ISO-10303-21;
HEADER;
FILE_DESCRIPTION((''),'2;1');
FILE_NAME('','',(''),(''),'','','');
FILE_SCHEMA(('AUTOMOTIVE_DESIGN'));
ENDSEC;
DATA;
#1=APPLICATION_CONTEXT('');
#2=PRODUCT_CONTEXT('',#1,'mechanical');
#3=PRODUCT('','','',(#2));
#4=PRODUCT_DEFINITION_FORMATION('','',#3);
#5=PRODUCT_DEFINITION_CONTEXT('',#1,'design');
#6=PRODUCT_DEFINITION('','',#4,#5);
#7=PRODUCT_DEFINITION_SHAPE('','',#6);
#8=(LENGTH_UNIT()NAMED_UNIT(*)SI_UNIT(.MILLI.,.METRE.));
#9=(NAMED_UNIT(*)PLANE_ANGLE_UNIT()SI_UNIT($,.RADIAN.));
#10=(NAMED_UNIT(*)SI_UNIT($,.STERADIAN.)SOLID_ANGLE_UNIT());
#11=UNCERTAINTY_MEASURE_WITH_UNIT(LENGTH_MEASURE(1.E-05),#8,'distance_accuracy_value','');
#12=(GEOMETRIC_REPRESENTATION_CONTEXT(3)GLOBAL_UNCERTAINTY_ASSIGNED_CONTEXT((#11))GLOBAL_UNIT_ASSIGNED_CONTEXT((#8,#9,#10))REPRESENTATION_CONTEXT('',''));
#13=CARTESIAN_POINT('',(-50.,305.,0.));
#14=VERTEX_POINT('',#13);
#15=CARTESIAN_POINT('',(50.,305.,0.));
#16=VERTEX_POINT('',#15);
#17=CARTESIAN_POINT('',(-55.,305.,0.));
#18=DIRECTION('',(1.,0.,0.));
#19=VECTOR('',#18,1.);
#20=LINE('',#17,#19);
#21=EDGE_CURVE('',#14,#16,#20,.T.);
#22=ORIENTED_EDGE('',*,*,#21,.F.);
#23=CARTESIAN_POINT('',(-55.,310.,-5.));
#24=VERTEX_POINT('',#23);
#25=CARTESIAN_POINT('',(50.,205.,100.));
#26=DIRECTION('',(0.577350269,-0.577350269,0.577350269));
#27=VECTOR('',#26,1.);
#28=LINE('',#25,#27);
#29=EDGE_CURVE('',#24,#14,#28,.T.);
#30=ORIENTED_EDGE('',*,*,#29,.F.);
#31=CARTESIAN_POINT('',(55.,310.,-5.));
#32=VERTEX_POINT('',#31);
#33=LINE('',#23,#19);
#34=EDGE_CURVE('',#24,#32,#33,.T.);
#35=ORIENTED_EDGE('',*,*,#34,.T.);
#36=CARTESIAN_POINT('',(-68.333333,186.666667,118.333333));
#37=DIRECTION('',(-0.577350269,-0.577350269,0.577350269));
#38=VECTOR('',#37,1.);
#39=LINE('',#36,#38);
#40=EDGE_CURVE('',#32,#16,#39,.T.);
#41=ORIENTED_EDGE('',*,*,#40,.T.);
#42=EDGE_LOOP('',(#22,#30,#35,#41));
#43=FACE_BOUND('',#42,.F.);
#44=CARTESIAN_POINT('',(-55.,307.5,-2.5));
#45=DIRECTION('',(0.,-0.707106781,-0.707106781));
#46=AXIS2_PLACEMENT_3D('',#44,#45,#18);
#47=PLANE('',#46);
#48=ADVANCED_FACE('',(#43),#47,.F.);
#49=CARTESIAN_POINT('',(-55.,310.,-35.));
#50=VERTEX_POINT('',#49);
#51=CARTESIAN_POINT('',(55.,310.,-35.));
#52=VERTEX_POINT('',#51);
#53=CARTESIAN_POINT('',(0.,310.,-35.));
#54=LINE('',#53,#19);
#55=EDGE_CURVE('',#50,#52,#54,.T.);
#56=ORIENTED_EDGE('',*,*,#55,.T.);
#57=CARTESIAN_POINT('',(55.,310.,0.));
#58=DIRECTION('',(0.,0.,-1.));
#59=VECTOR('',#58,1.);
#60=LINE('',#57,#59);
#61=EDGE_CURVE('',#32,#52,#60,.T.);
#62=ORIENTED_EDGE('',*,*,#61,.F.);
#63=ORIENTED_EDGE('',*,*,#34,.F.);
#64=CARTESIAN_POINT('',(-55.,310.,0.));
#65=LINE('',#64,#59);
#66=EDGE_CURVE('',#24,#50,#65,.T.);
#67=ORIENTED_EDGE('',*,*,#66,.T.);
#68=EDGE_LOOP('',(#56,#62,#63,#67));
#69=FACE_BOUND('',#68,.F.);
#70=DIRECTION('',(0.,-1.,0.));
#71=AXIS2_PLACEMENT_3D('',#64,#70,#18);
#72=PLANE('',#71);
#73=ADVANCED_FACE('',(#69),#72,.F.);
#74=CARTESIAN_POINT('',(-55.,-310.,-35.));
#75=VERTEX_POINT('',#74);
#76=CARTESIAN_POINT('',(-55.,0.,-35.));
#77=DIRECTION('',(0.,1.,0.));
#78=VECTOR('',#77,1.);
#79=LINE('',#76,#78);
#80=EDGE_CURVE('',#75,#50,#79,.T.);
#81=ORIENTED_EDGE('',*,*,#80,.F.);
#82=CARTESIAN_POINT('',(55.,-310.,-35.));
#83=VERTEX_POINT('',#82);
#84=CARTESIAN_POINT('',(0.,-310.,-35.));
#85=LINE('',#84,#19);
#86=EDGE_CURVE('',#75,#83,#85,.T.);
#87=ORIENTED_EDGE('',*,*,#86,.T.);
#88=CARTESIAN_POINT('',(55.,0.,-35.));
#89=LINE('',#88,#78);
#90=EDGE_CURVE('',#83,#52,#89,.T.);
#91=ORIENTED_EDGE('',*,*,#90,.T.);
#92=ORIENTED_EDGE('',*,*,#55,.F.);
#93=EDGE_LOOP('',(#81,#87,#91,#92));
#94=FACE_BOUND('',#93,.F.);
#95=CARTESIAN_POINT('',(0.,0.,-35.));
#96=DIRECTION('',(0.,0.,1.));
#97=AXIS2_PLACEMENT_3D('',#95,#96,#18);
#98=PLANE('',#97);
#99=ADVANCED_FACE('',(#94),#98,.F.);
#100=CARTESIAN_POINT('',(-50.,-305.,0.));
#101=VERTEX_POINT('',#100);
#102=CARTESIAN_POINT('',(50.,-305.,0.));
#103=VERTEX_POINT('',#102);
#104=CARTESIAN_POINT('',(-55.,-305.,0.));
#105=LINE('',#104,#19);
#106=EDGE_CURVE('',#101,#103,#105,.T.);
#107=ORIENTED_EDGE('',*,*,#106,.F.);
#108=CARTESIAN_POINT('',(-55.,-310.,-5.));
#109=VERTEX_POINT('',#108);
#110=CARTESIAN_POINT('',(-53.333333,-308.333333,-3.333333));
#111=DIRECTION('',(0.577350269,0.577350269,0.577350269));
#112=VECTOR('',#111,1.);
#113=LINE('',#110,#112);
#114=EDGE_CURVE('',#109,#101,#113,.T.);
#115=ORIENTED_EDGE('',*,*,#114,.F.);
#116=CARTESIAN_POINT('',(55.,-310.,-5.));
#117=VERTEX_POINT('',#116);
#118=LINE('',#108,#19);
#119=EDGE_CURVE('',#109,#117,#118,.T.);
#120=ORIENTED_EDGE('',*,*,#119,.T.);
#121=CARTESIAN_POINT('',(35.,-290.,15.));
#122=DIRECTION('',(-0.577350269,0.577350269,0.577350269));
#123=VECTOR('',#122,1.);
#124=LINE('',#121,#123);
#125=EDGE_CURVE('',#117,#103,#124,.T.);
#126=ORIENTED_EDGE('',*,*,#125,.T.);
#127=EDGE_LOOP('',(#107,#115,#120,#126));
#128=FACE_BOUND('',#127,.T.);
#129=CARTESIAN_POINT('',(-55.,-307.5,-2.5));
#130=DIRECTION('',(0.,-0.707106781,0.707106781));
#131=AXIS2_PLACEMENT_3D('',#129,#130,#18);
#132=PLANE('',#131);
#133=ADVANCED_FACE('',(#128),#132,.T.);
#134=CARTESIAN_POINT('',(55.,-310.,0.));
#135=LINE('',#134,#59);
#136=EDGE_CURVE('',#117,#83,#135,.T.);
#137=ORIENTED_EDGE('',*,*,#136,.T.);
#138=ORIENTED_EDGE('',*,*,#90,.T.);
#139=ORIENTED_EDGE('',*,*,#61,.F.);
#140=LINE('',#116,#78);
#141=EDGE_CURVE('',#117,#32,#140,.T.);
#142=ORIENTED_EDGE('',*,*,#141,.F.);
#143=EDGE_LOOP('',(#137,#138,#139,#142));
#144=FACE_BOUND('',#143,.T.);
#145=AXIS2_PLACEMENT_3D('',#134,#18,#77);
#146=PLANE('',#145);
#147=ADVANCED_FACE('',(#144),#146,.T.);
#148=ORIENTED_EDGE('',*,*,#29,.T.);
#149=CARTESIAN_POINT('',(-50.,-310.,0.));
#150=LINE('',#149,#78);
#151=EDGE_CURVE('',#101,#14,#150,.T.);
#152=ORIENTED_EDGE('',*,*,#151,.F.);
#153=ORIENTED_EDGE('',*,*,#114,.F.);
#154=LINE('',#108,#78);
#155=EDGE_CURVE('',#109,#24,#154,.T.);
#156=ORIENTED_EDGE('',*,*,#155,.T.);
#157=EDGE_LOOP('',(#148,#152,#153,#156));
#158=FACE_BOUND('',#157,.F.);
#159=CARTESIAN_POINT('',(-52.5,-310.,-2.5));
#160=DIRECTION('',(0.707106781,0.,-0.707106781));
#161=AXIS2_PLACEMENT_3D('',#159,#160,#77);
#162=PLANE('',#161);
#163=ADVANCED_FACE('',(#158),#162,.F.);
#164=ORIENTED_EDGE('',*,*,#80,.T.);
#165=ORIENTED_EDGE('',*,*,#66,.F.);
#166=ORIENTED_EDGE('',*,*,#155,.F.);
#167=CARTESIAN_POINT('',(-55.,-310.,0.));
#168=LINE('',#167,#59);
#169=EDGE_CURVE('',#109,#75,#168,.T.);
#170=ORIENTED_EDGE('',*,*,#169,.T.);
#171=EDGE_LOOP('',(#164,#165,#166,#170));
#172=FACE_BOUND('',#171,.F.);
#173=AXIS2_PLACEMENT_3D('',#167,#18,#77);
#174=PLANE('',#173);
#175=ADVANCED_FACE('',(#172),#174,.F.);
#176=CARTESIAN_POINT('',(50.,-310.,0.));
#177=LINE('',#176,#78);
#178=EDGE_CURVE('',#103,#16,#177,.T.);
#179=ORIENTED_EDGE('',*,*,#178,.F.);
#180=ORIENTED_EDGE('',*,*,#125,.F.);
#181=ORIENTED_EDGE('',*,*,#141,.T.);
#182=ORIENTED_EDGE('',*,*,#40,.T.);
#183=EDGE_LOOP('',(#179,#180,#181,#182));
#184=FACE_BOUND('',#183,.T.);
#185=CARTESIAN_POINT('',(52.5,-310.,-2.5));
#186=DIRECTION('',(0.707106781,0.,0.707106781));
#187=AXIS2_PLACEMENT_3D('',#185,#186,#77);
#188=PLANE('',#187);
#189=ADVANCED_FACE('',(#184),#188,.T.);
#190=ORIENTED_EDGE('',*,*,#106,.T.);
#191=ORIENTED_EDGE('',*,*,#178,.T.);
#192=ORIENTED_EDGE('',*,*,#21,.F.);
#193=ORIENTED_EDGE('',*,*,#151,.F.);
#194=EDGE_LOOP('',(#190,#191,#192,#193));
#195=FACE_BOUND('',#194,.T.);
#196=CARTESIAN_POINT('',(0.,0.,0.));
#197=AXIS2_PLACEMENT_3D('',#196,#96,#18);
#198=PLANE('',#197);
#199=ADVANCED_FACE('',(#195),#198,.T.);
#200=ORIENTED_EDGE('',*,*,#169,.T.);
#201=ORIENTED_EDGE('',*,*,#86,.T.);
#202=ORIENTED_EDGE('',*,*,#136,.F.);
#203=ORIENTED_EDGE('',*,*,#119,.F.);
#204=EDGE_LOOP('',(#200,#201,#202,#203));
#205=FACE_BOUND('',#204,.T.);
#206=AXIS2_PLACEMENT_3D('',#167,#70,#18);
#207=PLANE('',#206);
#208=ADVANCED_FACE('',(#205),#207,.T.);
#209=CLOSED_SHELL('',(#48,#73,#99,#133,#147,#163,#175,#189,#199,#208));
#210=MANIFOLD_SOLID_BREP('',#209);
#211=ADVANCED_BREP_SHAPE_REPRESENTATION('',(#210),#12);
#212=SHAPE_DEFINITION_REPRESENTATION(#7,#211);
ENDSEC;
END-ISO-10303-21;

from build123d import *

# Parameters (mm, degrees)
F1_W     = 110
F1_H     = 620
F2_DEPTH = 35
F3_SIZE  = 5


with BuildPart() as f2:
    # F1 (on Top) → F2 (new body)
    with BuildSketch(Plane.XY):
        Rectangle(F1_W, F1_H)
    extrude(amount=-F2_DEPTH)

    # F3
    f3_edges = [f2.edges().sort_by_distance(p)[0] for p in [
        (-55, 0, 0),
        (0, -310, 0),
        (55, 0, 0),
        (0, 310, 0),
    ]]
    chamfer(f3_edges, length=F3_SIZE)


solid = f2.part
